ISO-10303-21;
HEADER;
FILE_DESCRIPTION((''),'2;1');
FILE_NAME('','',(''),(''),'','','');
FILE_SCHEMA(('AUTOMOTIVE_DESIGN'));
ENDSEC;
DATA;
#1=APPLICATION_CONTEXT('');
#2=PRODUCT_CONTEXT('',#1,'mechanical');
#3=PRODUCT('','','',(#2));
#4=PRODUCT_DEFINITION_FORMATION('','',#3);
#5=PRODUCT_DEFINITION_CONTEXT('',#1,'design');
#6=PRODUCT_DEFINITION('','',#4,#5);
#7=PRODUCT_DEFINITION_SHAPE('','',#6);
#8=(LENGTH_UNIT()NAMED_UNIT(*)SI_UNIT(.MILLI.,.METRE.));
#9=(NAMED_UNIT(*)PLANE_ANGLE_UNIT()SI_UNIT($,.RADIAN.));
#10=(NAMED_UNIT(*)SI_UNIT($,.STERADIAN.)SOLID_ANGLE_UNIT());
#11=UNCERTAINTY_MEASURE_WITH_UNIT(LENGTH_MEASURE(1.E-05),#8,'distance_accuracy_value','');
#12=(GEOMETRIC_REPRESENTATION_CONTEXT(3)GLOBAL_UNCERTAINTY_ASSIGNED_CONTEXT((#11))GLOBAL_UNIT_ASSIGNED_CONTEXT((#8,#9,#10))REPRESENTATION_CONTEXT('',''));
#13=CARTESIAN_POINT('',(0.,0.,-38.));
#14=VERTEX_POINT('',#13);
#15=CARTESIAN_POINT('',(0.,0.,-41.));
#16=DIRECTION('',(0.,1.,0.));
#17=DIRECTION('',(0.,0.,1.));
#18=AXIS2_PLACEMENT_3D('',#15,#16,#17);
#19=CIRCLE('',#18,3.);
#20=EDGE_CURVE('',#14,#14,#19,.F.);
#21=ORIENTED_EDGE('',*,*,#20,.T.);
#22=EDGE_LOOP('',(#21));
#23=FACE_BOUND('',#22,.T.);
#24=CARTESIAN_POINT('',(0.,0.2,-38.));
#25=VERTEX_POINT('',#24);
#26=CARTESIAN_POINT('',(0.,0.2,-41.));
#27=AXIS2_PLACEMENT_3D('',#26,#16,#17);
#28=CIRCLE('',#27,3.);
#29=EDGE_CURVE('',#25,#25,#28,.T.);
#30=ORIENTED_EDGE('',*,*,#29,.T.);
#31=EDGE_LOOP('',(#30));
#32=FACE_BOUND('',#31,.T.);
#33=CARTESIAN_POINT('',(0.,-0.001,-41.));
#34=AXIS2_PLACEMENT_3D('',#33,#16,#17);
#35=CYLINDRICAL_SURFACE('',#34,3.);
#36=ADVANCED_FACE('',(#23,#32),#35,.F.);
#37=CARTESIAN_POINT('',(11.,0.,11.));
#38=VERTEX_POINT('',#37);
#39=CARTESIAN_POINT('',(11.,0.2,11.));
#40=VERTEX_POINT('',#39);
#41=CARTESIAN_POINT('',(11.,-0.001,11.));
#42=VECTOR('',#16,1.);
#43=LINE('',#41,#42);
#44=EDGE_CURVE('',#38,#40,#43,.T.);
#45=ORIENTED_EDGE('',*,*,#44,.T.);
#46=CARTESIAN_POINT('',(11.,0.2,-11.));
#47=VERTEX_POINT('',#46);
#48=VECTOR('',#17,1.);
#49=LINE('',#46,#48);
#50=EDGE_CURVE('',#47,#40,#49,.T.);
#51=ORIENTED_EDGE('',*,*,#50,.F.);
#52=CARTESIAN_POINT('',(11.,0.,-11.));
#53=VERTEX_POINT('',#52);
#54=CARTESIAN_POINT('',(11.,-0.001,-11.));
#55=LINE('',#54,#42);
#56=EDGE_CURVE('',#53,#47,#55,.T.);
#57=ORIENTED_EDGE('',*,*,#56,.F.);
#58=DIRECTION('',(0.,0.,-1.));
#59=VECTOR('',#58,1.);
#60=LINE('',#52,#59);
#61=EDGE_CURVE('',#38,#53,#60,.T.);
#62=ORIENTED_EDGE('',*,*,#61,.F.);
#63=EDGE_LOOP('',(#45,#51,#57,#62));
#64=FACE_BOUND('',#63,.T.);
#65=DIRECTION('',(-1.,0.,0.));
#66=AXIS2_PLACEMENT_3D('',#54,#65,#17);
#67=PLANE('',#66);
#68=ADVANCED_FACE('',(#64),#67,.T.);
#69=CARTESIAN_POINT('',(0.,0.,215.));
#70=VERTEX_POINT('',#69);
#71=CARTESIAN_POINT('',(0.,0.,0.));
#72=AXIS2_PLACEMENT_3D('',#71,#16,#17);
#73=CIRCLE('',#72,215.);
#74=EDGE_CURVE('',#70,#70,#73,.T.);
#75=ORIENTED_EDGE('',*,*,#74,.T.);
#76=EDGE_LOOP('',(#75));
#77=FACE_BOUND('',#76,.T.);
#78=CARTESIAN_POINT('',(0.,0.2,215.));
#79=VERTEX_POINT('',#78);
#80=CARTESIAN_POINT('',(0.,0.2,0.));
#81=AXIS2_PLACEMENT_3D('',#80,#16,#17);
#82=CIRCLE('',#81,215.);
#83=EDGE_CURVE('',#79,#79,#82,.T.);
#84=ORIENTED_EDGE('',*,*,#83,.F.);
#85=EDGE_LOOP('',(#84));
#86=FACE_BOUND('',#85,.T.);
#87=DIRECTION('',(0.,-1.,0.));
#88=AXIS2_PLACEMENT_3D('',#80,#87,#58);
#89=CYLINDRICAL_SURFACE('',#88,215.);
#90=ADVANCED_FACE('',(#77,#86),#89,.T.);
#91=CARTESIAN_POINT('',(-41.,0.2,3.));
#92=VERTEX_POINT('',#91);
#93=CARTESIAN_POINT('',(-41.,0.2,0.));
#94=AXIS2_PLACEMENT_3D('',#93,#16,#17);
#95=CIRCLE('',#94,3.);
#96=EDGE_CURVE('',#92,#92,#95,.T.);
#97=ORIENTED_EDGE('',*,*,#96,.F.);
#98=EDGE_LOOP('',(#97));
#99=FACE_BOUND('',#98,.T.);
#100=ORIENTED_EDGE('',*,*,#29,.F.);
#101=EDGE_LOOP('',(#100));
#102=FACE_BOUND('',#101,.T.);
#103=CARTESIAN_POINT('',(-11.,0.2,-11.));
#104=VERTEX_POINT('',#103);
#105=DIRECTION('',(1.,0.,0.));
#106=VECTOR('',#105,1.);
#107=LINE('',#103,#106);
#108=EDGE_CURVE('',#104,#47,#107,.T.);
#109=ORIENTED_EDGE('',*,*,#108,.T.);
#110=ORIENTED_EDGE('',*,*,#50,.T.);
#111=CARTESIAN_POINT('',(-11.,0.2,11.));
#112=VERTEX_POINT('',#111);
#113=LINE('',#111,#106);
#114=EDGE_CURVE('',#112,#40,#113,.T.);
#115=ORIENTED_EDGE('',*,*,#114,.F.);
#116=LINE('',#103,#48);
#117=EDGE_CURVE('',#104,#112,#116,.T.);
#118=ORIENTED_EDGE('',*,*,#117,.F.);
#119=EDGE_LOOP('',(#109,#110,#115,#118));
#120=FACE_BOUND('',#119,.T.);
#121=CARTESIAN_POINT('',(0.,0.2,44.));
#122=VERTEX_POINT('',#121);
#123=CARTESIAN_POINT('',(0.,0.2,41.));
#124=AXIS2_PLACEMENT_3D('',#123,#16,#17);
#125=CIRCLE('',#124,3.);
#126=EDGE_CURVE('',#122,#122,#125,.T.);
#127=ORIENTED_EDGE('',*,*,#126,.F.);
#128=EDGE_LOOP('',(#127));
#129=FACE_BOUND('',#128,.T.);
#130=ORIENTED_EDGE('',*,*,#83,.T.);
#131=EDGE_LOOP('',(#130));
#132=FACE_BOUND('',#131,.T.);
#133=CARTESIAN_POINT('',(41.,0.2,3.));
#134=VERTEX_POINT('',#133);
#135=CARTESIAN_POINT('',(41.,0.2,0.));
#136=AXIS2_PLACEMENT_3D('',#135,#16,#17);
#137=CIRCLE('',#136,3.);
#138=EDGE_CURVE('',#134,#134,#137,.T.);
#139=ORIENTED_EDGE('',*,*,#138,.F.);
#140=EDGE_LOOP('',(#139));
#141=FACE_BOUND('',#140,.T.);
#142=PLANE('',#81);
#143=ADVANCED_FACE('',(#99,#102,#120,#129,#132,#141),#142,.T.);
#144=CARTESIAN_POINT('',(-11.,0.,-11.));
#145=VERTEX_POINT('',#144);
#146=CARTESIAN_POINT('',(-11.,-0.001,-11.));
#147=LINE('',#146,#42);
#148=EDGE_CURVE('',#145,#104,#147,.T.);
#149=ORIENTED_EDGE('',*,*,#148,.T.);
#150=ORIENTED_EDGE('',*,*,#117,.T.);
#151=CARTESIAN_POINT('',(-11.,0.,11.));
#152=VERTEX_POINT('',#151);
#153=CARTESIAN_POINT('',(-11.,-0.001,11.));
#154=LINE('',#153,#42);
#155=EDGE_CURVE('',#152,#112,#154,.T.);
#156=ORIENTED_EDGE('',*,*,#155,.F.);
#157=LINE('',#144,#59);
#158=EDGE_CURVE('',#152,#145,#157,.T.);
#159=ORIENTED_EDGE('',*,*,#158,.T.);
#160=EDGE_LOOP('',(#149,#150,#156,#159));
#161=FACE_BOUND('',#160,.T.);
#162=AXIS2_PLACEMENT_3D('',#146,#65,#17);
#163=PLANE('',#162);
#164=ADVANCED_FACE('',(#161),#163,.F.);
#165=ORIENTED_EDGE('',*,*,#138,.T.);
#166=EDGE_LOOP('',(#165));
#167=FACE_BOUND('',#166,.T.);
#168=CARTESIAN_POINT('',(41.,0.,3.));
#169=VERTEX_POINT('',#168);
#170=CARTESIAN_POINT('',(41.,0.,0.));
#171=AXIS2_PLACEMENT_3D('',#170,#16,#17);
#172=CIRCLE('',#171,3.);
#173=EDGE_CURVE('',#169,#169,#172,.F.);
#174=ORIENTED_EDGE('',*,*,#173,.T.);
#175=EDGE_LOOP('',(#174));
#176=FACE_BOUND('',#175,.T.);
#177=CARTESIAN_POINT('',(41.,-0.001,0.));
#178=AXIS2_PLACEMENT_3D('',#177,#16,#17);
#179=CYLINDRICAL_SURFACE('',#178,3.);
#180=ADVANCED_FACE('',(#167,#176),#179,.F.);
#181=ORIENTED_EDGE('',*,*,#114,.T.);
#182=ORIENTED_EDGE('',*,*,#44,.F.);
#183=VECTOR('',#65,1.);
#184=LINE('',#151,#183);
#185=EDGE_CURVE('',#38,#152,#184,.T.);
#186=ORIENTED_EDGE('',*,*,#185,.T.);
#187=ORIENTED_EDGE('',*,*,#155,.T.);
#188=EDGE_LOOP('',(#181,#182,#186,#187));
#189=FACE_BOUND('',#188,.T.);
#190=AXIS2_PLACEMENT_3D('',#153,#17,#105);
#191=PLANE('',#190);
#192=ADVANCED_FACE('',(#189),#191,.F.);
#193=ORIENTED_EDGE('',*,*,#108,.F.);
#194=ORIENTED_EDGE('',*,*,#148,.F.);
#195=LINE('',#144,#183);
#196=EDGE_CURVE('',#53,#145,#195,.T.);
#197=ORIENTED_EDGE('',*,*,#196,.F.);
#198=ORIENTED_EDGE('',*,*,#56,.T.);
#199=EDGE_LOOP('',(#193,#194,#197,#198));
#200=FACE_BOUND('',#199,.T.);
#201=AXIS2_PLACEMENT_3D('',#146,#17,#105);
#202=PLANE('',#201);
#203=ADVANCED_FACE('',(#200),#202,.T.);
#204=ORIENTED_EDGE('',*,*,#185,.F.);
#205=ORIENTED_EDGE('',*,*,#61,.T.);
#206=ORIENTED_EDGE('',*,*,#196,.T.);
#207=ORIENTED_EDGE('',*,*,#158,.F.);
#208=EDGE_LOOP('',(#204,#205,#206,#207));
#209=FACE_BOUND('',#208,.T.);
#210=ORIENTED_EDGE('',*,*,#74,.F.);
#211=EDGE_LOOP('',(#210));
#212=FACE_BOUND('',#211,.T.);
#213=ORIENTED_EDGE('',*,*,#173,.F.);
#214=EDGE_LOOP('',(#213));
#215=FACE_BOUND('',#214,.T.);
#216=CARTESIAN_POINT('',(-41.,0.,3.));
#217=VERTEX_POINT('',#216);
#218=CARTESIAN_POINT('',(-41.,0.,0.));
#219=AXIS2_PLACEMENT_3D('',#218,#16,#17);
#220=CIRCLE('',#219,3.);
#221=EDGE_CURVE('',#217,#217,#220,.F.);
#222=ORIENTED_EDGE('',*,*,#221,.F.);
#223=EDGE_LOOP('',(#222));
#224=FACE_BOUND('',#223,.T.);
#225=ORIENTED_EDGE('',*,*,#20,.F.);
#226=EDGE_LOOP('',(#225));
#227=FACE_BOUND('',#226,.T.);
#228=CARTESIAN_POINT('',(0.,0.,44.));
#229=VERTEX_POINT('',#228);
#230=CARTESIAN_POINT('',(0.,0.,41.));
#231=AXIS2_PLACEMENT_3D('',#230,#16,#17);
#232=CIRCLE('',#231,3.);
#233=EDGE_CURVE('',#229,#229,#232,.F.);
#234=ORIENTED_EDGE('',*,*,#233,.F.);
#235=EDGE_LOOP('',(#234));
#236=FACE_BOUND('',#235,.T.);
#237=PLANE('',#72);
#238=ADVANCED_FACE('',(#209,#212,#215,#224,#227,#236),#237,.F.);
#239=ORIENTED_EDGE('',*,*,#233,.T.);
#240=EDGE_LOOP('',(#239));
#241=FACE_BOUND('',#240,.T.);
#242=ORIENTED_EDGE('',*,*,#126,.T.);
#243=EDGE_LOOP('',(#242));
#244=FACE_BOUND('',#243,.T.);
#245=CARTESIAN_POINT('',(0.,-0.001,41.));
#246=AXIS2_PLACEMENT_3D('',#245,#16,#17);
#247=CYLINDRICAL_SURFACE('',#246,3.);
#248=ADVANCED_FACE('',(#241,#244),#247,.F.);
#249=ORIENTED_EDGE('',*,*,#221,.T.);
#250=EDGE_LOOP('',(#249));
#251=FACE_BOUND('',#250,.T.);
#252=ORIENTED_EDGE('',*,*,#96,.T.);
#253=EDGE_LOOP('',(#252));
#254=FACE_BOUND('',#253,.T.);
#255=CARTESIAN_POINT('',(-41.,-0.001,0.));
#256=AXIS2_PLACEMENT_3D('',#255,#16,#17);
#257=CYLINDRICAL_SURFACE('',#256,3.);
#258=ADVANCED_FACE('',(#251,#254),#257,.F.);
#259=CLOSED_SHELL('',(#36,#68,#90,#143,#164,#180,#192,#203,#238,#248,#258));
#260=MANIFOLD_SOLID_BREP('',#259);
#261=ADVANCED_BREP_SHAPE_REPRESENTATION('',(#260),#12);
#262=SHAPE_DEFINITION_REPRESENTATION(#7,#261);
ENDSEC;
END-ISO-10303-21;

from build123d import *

# Parameters (mm, degrees)
SKETCH_1_R          = 215
EXTRUDE_1_DEPTH     = 0.2
CUT_EXTRUDE_2_REACH = 306.056
SKETCH_4_R          = 3
SKETCH_4_W          = 22
SKETCH_4_H          = 22


with BuildPart() as part:
    # Эскиз1 → Бобышка-Вытянуть1 (new body)
    with BuildSketch(Plane(origin=(0, 0, 0), x_dir=(1, 0, 0), z_dir=(0, 1, 0))):
        with Locations(Location((0, 0, 0), (0, 0, 270))):
            Circle(SKETCH_1_R)
    extrude(amount=EXTRUDE_1_DEPTH)

    # Эскиз4 → Вырез-Вытянуть2 (cut, up to next)
    with BuildSketch(Plane(origin=(0, 0.2, 0), x_dir=(1, 0, 0), z_dir=(0, 1, 0)), mode=Mode.PRIVATE) as cut_extrude_2_sk1:
        with Locations(Location((0, 41, 0), (0, 0, 270))):
            Circle(SKETCH_4_R)
    cut_extrude_2_tool1 = extrude(cut_extrude_2_sk1.sketch, amount=-CUT_EXTRUDE_2_REACH, mode=Mode.PRIVATE) & part.part
    # Эскиз4 → Вырез-Вытянуть2 (cut, up to next)
    with BuildSketch(Plane(origin=(0, 0.2, 0), x_dir=(1, 0, 0), z_dir=(0, 1, 0)), mode=Mode.PRIVATE) as cut_extrude_2_sk2:
        with Locations(Location((41, 0, 0), (0, 0, 270))):
            Circle(SKETCH_4_R)
    cut_extrude_2_tool2 = extrude(cut_extrude_2_sk2.sketch, amount=-CUT_EXTRUDE_2_REACH, mode=Mode.PRIVATE) & part.part
    # Эскиз4 → Вырез-Вытянуть2 (cut, up to next)
    with BuildSketch(Plane(origin=(0, 0.2, 0), x_dir=(1, 0, 0), z_dir=(0, 1, 0)), mode=Mode.PRIVATE) as cut_extrude_2_sk3:
        with Locations(Location((0, -41, 0), (0, 0, 270))):
            Circle(SKETCH_4_R)
    cut_extrude_2_tool3 = extrude(cut_extrude_2_sk3.sketch, amount=-CUT_EXTRUDE_2_REACH, mode=Mode.PRIVATE) & part.part
    # Эскиз4 → Вырез-Вытянуть2 (cut, up to next)
    with BuildSketch(Plane(origin=(0, 0.2, 0), x_dir=(1, 0, 0), z_dir=(0, 1, 0)), mode=Mode.PRIVATE) as cut_extrude_2_sk4:
        with Locations(Location((-41, 0, 0), (0, 0, 270))):
            Circle(SKETCH_4_R)
    cut_extrude_2_tool4 = extrude(cut_extrude_2_sk4.sketch, amount=-CUT_EXTRUDE_2_REACH, mode=Mode.PRIVATE) & part.part
    # Эскиз4 → Вырез-Вытянуть2 (cut, up to next)
    with BuildSketch(Plane(origin=(0, 0.2, 0), x_dir=(1, 0, 0), z_dir=(0, 1, 0)), mode=Mode.PRIVATE) as cut_extrude_2_sk5:
        Rectangle(SKETCH_4_W, SKETCH_4_H)
    cut_extrude_2_tool5 = extrude(cut_extrude_2_sk5.sketch, amount=-CUT_EXTRUDE_2_REACH, mode=Mode.PRIVATE) & part.part
    add(cut_extrude_2_tool1.solids().sort_by_distance((0, 0.2, -41))[0], mode=Mode.SUBTRACT)
    add(cut_extrude_2_tool2.solids().sort_by_distance((41, 0.2, 0))[0], mode=Mode.SUBTRACT)
    add(cut_extrude_2_tool3.solids().sort_by_distance((0, 0.2, 41))[0], mode=Mode.SUBTRACT)
    add(cut_extrude_2_tool4.solids().sort_by_distance((-41, 0.2, 0))[0], mode=Mode.SUBTRACT)
    add(cut_extrude_2_tool5.solids().sort_by_distance((0, 0.2, 0))[0], mode=Mode.SUBTRACT)


solid = part.part
